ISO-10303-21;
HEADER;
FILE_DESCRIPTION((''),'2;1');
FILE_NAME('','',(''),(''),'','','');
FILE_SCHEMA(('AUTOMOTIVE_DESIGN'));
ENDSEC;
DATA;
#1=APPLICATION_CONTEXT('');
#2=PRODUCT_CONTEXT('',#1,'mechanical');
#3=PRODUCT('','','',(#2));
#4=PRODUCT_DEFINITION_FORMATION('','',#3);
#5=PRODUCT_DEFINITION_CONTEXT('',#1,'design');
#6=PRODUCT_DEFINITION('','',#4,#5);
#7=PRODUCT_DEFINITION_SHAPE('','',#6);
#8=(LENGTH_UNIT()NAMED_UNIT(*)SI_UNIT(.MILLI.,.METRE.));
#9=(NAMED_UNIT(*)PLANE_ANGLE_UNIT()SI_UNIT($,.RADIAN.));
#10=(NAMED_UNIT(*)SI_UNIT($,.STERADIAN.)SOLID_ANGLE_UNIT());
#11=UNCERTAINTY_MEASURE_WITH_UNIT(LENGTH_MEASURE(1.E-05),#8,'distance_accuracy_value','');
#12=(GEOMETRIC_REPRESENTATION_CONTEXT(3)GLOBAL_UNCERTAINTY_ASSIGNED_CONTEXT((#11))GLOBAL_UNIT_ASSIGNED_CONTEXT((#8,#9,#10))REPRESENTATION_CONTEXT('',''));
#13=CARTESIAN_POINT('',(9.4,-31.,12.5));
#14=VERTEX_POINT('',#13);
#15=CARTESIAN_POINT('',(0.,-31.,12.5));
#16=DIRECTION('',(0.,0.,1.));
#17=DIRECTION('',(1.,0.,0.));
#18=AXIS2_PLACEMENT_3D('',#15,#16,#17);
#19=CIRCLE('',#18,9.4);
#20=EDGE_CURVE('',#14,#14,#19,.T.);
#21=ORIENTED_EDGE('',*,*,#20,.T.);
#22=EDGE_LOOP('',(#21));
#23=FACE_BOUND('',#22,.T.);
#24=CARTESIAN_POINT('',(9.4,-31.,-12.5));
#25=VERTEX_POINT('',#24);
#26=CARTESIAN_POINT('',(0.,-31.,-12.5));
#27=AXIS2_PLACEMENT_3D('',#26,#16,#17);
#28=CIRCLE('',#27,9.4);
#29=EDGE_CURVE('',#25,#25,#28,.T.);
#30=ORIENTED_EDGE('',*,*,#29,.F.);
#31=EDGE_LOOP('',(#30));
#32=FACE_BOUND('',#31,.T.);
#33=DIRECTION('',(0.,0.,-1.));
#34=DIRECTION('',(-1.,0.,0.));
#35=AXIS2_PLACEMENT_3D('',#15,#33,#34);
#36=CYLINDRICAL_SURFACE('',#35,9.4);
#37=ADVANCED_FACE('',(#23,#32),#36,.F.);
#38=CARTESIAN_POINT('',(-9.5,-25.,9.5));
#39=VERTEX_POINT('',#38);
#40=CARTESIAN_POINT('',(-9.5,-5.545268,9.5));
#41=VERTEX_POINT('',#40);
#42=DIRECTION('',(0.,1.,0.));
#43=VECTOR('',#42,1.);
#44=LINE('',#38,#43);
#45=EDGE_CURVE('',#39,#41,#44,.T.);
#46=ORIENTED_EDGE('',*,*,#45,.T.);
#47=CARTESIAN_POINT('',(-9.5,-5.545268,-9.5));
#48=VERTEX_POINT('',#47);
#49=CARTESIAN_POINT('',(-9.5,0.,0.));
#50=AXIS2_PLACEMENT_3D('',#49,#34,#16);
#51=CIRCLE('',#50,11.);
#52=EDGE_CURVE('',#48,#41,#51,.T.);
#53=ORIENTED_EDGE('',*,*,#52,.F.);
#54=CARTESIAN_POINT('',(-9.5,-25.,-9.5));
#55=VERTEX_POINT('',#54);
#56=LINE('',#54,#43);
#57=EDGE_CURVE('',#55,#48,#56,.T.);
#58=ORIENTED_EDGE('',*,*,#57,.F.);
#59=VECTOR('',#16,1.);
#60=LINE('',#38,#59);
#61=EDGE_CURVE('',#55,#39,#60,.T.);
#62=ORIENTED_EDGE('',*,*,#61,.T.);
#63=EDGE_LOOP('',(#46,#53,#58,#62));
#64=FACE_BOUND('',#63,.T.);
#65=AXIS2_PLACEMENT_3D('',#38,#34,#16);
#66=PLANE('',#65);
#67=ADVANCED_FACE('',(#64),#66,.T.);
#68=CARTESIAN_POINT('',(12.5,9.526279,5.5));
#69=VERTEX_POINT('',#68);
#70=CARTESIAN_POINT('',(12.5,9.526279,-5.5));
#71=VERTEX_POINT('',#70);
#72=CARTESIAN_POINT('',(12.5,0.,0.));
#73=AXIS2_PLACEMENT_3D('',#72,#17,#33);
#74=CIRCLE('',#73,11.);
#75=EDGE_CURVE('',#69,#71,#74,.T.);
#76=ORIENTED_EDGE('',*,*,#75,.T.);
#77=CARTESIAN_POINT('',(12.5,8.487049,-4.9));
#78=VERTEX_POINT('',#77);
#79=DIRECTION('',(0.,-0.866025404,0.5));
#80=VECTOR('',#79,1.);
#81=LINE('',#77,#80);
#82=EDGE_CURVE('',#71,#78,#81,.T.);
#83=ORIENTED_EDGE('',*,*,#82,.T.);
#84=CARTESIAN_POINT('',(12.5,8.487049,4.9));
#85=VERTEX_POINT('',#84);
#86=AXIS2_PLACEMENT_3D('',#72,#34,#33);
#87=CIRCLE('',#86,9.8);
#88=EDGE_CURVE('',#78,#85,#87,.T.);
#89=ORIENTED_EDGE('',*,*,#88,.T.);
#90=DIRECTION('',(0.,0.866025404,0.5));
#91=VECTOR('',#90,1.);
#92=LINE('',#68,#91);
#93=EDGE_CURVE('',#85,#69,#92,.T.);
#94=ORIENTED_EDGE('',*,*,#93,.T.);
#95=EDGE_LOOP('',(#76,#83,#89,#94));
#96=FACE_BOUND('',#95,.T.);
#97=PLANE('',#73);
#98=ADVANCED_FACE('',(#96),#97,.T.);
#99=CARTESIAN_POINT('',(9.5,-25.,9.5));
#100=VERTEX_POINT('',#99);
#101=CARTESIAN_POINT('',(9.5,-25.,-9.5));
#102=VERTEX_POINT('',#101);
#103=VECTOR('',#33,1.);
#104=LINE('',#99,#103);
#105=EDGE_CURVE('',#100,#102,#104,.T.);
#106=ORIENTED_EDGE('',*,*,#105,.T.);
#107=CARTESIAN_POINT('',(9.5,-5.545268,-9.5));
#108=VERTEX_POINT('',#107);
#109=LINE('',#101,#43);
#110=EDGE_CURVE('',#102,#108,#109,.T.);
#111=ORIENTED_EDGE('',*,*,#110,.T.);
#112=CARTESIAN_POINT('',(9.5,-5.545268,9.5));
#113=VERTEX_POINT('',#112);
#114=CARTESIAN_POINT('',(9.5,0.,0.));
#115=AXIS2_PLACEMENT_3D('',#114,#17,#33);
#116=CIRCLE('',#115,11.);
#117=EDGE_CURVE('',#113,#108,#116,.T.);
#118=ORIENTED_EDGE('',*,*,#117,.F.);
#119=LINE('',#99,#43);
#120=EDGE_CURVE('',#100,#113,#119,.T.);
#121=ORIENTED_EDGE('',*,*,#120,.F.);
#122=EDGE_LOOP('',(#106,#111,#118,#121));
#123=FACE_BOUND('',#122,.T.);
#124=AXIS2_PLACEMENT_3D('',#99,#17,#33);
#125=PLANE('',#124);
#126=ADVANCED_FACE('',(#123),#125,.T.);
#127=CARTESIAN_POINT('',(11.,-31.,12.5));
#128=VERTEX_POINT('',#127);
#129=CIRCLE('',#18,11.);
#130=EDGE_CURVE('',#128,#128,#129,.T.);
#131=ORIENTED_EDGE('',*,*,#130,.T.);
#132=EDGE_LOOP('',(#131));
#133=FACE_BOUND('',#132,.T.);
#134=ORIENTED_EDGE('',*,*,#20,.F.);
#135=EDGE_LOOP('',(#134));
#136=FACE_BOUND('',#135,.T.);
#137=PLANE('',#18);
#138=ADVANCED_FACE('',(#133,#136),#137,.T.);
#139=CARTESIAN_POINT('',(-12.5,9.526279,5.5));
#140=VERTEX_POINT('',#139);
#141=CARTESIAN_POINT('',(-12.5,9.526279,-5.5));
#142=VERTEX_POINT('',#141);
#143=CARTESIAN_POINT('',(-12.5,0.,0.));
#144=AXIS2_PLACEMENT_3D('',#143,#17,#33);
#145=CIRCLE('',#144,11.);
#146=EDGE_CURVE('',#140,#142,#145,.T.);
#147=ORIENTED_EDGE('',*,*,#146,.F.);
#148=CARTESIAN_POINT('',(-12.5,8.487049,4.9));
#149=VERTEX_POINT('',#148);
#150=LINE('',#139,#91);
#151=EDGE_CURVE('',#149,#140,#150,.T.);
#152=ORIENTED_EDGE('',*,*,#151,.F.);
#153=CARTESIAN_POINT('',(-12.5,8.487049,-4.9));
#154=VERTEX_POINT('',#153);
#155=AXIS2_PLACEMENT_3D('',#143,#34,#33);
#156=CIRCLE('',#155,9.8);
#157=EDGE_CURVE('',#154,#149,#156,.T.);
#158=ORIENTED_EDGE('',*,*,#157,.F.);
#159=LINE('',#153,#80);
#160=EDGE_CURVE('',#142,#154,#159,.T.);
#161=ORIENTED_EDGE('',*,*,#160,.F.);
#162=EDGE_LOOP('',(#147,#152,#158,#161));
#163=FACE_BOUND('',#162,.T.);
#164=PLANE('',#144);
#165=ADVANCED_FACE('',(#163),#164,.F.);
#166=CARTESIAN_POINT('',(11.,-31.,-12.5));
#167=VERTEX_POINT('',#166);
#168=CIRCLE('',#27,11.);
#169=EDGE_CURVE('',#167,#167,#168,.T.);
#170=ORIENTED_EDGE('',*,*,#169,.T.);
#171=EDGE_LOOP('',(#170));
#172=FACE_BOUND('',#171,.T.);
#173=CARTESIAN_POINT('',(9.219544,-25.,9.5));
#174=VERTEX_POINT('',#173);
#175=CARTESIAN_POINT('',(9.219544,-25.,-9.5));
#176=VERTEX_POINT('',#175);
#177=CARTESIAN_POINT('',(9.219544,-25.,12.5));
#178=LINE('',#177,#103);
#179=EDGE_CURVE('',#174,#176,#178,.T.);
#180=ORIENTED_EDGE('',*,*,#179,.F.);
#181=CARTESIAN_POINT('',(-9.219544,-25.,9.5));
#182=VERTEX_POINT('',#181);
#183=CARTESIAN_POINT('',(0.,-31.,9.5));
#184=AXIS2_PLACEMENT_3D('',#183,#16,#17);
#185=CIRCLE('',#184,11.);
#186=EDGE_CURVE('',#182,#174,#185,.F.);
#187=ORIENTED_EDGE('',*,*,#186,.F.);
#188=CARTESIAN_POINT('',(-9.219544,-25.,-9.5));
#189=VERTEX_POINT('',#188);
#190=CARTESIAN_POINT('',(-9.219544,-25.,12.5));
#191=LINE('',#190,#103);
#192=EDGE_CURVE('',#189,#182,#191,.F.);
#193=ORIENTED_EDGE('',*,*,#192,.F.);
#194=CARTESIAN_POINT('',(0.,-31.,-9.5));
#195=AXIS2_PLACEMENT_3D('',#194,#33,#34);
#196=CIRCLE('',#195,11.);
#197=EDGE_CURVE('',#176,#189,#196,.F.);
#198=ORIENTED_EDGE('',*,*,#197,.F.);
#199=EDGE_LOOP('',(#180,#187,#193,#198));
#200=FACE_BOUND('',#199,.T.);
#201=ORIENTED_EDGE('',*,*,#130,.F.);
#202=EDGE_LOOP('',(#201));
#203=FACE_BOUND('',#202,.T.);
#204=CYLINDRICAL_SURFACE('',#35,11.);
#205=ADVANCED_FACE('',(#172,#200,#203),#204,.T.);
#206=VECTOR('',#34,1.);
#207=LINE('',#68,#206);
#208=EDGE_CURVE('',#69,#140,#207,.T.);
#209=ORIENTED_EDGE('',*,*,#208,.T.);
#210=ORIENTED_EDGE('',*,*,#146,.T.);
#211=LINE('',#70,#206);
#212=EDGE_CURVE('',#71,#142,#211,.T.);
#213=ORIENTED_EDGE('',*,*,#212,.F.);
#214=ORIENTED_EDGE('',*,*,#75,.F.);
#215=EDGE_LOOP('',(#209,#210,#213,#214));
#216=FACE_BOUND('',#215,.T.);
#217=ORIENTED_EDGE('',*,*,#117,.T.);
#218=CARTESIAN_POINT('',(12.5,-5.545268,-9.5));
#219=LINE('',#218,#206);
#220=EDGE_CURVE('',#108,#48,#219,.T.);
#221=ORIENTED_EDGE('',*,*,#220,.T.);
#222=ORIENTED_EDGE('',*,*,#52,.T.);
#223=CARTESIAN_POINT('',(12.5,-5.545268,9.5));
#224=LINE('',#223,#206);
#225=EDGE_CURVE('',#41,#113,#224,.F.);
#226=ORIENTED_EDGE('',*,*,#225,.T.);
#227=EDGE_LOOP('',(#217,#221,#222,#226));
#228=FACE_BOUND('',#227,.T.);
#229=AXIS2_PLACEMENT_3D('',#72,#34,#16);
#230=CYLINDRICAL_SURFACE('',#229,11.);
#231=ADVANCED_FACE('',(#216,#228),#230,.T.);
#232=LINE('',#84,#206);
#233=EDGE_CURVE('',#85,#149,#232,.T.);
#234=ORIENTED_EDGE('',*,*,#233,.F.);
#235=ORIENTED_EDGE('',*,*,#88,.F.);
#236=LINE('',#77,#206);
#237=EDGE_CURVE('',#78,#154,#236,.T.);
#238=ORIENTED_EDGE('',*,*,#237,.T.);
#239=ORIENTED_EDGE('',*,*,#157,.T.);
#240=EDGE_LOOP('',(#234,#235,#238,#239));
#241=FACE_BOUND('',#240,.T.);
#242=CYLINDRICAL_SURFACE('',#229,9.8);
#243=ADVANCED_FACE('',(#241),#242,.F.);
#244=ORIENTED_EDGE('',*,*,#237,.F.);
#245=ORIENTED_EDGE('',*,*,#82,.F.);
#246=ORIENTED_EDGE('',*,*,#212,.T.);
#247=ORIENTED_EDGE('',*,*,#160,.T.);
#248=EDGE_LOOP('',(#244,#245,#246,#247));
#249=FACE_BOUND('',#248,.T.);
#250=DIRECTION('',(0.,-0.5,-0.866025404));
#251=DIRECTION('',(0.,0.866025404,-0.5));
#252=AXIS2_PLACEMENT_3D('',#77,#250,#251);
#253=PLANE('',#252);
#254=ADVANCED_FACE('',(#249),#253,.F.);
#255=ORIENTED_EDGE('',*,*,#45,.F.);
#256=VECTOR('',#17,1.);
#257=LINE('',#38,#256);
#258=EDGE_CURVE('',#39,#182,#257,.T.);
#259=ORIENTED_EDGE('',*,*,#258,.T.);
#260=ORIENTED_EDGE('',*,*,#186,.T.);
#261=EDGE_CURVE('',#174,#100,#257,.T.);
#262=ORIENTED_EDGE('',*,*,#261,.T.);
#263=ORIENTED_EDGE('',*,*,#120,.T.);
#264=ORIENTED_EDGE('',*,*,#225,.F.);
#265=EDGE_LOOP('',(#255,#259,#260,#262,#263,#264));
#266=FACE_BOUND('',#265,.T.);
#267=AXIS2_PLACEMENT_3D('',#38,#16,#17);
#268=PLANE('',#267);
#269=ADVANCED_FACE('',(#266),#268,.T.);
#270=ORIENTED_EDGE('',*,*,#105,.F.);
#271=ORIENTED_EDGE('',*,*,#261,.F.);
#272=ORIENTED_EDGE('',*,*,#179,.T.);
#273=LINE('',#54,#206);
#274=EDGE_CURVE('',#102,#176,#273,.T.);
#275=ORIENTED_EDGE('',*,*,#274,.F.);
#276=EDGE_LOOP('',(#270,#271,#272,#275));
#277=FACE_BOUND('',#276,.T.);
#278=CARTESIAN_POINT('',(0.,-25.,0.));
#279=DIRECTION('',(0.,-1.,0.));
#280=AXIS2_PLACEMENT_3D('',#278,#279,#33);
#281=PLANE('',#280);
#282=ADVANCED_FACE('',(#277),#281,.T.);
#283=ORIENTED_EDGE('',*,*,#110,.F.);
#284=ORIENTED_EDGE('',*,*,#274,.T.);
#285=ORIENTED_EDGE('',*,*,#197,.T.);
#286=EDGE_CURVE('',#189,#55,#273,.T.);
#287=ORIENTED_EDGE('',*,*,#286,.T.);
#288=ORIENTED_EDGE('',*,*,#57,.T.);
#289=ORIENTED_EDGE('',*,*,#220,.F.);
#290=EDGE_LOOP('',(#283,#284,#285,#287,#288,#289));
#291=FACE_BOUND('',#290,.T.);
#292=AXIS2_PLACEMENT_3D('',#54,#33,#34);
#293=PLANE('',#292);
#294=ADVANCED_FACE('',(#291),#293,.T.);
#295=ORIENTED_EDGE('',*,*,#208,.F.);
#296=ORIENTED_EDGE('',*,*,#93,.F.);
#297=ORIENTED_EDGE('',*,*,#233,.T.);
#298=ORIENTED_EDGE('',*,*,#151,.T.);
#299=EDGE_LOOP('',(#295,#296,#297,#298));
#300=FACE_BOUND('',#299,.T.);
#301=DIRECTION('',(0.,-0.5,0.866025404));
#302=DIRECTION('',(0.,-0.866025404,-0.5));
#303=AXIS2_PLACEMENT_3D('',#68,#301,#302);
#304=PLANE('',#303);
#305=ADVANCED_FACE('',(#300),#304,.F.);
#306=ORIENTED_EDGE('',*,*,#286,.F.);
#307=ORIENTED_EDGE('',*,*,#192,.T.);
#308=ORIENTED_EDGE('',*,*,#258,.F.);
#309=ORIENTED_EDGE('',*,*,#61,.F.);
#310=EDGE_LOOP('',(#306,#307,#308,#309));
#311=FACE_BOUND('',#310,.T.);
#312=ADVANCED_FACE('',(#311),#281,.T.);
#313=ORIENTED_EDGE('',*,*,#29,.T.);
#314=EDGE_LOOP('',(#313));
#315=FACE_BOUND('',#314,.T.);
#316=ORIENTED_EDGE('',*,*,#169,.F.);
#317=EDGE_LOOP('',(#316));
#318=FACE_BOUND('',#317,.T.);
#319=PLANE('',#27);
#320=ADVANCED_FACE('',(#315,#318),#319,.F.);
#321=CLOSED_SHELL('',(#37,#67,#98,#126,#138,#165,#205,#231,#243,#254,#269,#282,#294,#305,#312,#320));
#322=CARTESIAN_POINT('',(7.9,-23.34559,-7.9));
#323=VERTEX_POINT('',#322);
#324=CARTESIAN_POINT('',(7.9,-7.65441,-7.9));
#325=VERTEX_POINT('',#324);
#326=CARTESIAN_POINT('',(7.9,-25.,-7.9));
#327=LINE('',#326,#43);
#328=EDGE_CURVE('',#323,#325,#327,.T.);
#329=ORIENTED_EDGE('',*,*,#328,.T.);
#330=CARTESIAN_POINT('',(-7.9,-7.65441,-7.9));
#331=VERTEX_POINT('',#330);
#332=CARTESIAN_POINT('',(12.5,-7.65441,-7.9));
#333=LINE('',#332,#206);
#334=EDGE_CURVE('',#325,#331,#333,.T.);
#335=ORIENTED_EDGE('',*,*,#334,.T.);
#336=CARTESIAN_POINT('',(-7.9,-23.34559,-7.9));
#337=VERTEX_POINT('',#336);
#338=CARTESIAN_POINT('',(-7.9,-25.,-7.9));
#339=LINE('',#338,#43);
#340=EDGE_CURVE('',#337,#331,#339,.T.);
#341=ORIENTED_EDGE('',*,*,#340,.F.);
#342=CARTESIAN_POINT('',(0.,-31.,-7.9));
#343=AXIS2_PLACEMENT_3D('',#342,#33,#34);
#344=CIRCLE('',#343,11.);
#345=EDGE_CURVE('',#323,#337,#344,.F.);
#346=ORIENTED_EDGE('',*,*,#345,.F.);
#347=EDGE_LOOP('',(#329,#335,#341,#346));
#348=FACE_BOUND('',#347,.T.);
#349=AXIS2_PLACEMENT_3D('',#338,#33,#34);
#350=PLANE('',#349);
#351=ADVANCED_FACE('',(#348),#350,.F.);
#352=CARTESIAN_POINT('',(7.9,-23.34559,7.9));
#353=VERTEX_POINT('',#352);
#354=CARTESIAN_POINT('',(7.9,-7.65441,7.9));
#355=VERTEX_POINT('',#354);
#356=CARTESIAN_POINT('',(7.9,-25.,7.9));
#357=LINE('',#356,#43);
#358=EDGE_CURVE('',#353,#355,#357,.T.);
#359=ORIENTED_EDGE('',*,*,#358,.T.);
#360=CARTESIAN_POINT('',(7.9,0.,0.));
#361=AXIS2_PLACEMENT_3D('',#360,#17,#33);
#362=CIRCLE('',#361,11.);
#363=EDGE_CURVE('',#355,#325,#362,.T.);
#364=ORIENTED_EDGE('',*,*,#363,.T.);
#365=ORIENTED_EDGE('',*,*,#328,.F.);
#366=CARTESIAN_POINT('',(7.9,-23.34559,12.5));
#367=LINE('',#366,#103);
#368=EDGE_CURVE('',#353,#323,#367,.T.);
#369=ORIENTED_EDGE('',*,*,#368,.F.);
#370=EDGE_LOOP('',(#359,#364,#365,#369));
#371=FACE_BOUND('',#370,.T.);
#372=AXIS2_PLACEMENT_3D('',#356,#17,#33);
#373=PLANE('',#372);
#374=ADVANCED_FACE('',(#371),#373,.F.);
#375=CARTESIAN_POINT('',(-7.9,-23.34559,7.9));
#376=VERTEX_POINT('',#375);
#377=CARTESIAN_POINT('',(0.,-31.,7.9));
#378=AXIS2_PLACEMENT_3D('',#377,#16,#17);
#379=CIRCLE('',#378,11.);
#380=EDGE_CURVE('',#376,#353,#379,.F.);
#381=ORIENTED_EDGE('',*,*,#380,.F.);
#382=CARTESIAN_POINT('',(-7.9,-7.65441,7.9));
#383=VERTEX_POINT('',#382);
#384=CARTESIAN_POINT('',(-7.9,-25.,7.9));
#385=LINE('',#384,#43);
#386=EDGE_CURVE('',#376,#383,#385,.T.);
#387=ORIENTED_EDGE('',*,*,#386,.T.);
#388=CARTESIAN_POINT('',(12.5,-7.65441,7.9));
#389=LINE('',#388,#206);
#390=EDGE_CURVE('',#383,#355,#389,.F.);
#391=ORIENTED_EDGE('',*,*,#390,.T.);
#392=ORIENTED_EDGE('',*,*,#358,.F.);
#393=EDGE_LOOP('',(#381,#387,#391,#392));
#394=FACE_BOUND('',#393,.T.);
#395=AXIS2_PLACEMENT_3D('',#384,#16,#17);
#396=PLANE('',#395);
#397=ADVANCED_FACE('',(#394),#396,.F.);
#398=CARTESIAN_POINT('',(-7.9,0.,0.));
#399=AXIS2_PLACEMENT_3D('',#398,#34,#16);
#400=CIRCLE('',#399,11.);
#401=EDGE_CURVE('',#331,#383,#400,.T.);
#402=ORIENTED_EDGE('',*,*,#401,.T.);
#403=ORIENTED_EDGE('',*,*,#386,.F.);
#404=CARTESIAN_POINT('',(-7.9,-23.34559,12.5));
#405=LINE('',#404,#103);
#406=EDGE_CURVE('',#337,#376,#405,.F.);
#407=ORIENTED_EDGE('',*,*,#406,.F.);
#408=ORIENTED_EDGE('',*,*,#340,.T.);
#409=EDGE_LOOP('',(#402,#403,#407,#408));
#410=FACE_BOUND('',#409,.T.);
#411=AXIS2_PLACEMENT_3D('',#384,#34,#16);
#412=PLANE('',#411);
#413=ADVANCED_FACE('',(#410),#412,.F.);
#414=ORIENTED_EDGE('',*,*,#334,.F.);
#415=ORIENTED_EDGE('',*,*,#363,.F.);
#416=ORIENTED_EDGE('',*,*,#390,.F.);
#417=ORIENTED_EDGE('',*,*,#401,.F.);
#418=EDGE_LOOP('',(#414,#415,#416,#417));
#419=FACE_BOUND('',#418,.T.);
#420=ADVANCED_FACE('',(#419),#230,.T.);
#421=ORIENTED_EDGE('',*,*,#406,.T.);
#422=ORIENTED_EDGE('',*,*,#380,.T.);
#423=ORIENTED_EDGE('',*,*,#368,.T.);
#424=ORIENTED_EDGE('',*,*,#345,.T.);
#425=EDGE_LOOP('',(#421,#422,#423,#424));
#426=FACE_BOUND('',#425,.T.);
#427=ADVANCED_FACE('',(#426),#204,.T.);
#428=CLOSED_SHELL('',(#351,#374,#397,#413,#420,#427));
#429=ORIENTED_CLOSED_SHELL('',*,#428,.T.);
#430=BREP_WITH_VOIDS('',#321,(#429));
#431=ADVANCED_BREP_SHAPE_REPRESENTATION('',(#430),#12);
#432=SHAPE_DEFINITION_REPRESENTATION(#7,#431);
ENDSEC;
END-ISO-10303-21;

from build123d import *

# Parameters (mm, degrees)
BOSS_EXTRUDE1_DEPTH = 12.5
SKETCH3_W           = 19
SKETCH3_H           = 19
SKETCH3_W_2         = 15.8
SKETCH3_H_2         = 15.8
BOSS_EXTRUDE3_DEPTH = 25
SKETCH2_R           = 11
SKETCH2_R_2         = 9.4
BOSS_EXTRUDE2_DEPTH = 12.5
SKETCH4_R           = 9.8
CUT_EXTRUDE1_DEPTH  = 20
SKETCH5_R           = 9.4
CUT_EXTRUDE2_DEPTH  = 20


with BuildPart() as part:
    # Sketch1 → Boss-Extrude1 (new, symmetric)
    with BuildSketch(Plane(origin=(0, 0, 0), x_dir=(0, 0, -1), z_dir=(1, 0, 0))):
        with BuildLine():
            Line((-5.5, 9.526279442), (-4.9, 8.487048957))
            ThreePointArc((-4.9, 8.487048957), (0, -9.8), (4.9, 8.487048957))
            Line((4.9, 8.487048957), (5.5, 9.526279442))
            ThreePointArc((5.5, 9.526279442), (0, -11), (-5.5, 9.526279442))
        make_face()
    extrude(amount=BOSS_EXTRUDE1_DEPTH, both=True)

    # Sketch3 → Boss-Extrude3 (add)
    with BuildSketch(Plane(origin=(0, 0, 0), x_dir=(1, 0, 0), z_dir=(0, 1, 0))):
        Rectangle(SKETCH3_W, SKETCH3_H)
        Rectangle(SKETCH3_W_2, SKETCH3_H_2, mode=Mode.SUBTRACT)
    extrude(amount=-BOSS_EXTRUDE3_DEPTH)

    # Sketch2 → Boss-Extrude2 (add, symmetric)
    with BuildSketch(Plane.XY):
        with Locations((0, -31)):
            Circle(SKETCH2_R)
        with Locations((0, -31)):
            Circle(SKETCH2_R_2, mode=Mode.SUBTRACT)
    extrude(amount=BOSS_EXTRUDE2_DEPTH, both=True)

    # Sketch4 → Cut-Extrude1 (cut, symmetric)
    with BuildSketch(Plane(origin=(0, 0, 0), x_dir=(0, 0, -1), z_dir=(1, 0, 0))):
        Circle(SKETCH4_R)
    extrude(amount=CUT_EXTRUDE1_DEPTH, both=True, mode=Mode.SUBTRACT)

    # Sketch5 → Cut-Extrude2 (cut, symmetric)
    with BuildSketch(Plane.XY):
        with Locations((0, -31)):
            Circle(SKETCH5_R)
    extrude(amount=CUT_EXTRUDE2_DEPTH, both=True, mode=Mode.SUBTRACT)


solid = part.part
